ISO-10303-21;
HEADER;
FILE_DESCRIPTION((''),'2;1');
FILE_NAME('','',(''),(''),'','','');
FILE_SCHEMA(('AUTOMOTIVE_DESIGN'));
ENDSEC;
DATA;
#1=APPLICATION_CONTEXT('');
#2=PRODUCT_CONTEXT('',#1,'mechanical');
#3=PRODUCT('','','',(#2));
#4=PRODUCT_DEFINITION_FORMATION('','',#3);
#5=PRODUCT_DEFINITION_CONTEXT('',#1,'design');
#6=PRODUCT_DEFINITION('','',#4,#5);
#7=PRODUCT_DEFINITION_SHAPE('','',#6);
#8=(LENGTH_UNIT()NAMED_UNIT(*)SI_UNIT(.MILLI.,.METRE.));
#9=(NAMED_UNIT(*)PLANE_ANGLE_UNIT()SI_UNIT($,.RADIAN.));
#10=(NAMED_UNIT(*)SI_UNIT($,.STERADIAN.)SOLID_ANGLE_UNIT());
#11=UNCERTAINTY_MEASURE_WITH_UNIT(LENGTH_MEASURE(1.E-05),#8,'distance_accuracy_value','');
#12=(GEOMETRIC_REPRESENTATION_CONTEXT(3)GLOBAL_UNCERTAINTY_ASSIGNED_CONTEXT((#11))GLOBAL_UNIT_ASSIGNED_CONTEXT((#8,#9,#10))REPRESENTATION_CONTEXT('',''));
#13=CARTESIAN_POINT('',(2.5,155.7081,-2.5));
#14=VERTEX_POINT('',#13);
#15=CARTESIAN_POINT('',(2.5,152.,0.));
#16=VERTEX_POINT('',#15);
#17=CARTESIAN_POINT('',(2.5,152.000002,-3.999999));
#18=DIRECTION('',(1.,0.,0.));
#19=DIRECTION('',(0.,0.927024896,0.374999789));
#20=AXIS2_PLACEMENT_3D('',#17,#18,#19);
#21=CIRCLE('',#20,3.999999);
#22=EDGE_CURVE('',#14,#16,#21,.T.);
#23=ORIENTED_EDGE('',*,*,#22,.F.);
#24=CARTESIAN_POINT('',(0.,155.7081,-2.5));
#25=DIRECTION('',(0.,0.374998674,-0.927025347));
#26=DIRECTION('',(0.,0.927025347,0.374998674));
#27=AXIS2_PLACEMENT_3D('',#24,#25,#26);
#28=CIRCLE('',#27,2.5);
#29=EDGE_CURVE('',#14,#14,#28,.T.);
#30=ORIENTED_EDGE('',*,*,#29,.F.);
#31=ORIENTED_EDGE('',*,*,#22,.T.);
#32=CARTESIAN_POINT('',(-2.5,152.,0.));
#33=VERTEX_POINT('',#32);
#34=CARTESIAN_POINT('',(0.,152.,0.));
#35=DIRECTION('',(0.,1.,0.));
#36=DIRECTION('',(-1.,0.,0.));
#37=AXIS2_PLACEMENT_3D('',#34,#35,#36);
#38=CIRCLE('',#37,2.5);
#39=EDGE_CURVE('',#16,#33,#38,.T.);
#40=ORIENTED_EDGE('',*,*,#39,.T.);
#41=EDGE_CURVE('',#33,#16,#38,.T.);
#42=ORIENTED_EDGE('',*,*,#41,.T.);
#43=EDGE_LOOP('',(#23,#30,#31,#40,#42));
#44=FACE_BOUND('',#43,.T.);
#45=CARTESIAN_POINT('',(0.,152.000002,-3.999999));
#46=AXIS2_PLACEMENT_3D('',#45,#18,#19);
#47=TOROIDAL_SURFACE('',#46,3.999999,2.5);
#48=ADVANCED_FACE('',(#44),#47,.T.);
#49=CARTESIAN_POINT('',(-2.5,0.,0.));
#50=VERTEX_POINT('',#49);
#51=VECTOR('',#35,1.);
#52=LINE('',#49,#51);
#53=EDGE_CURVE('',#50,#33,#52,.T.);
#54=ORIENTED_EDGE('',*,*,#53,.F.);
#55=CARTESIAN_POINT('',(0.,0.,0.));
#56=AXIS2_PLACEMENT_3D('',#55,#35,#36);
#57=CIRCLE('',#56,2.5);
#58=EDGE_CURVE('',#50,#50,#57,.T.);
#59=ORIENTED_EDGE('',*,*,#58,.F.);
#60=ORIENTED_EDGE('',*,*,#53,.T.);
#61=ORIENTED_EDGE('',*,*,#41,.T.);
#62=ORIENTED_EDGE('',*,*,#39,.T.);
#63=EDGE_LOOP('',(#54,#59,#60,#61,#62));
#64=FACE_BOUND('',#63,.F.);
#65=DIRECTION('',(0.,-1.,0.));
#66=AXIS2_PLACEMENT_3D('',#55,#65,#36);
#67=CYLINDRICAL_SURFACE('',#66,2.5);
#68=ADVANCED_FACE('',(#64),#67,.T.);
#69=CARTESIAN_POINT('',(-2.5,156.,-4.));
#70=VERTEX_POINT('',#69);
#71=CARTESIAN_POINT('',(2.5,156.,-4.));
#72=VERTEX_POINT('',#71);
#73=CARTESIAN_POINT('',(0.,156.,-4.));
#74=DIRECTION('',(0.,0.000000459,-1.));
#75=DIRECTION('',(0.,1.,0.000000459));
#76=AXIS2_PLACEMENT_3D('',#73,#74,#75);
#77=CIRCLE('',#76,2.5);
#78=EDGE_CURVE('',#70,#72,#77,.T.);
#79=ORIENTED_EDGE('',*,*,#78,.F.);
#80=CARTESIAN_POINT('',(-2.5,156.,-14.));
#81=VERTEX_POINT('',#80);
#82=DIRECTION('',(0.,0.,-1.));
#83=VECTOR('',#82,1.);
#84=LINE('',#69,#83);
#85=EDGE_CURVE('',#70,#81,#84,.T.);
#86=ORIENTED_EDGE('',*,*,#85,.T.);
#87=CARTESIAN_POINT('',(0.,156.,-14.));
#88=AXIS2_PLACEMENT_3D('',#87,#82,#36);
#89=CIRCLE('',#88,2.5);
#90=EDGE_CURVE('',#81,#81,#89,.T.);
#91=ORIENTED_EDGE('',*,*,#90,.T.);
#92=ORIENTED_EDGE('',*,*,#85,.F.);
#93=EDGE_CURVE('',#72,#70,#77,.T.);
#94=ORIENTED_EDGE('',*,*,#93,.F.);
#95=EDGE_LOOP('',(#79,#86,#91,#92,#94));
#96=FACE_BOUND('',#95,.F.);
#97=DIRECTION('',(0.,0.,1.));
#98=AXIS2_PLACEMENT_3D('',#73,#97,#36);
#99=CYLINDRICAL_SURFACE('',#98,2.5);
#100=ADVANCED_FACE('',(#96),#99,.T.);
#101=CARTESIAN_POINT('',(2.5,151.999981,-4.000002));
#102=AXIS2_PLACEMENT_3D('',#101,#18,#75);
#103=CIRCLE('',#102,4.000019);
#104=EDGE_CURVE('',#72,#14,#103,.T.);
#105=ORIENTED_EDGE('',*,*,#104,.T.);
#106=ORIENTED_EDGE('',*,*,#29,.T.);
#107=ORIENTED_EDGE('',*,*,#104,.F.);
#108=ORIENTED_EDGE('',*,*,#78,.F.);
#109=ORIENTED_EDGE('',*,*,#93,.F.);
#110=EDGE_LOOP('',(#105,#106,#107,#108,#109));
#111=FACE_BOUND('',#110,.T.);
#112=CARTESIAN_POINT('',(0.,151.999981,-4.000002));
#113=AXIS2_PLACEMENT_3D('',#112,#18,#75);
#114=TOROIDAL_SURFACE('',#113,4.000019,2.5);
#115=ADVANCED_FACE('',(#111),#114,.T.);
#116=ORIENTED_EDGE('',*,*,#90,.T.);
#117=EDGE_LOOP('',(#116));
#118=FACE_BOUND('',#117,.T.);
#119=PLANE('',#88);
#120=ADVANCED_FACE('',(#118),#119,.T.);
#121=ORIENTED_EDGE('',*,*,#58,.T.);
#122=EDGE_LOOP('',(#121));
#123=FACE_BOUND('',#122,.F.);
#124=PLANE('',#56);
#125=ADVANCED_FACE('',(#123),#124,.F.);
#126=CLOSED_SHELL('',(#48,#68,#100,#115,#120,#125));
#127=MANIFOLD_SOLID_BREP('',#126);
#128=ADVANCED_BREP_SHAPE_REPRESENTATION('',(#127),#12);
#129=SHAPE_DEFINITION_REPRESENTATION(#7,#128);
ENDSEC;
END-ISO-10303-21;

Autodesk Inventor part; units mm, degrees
ref_plane "YZ Plane" through (0, 0, 0) normal (1, 0, 0) x (0, 1, 0)
ref_plane "XZ Plane" through (0, 0, 0) normal (0, 1, 0) x (-1, 0, 0)
ref_plane "XY Plane" through (0, 0, 0) normal (0, 0, 1) x (1, 0, 0)
sketch "Sketch1" plane through (0, 0, 0) normal (0, 1, 0) x (-1, 0, 0)
  circle A0 centre (0, 0) radius 2.5
  dimension "d0" = 5
extrude "Extrusion1" add sketch "Sketch1" along normal blind 152
sketch "Sketch2" plane through (0, 0, 0) normal (1, 0, 0) x (0, 1, 0)
  arc A0 (148.2919, -2.5) -> (156, -4) centre (152, -4) ccw construction
  line L0 (152, -2.5) -> (152, 2.5) projected
  line L1 (0, -2.5) -> (152, -2.5) projected
  line L2 (0, 2.5) -> (152, 2.5) projected
  arc A1 (152, 0) -> (148.2919, -2.5) centre (152, -4) ccw construction
  arc A2 (155.7081, -2.5) -> (152, 0) centre (152, -4) ccw
  line L3 (152, 0) -> (159.1444, 0) construction
  line L4 (152, -4) -> (156, -4) construction
  arc A3 (156, -4) -> (155.7081, -2.5) centre (152, -4) ccw
  point P0 (0, 0)
  dimension "d3" = 8
sketch "Sketch3" plane through (0, 152, 0) normal (0, 1, 0) x (1, 0, 0)
  circle A0 centre (0, 0) radius 2.5 projected
sweep "Sweep1" add profiles "Sketch3" path "Sketch2" path curves A2 A3
sketch "Sketch4" plane through (0, 156, -4) normal (0, 0, -1) x (-1, 0, 0)
  circle A0 centre (0, 0) radius 2.5 projected
  point P0 (0, -156)
extrude "Extrusion2" add sketch "Sketch4" along normal blind 10
properties part number "Eje" material "Stainless Steel"
